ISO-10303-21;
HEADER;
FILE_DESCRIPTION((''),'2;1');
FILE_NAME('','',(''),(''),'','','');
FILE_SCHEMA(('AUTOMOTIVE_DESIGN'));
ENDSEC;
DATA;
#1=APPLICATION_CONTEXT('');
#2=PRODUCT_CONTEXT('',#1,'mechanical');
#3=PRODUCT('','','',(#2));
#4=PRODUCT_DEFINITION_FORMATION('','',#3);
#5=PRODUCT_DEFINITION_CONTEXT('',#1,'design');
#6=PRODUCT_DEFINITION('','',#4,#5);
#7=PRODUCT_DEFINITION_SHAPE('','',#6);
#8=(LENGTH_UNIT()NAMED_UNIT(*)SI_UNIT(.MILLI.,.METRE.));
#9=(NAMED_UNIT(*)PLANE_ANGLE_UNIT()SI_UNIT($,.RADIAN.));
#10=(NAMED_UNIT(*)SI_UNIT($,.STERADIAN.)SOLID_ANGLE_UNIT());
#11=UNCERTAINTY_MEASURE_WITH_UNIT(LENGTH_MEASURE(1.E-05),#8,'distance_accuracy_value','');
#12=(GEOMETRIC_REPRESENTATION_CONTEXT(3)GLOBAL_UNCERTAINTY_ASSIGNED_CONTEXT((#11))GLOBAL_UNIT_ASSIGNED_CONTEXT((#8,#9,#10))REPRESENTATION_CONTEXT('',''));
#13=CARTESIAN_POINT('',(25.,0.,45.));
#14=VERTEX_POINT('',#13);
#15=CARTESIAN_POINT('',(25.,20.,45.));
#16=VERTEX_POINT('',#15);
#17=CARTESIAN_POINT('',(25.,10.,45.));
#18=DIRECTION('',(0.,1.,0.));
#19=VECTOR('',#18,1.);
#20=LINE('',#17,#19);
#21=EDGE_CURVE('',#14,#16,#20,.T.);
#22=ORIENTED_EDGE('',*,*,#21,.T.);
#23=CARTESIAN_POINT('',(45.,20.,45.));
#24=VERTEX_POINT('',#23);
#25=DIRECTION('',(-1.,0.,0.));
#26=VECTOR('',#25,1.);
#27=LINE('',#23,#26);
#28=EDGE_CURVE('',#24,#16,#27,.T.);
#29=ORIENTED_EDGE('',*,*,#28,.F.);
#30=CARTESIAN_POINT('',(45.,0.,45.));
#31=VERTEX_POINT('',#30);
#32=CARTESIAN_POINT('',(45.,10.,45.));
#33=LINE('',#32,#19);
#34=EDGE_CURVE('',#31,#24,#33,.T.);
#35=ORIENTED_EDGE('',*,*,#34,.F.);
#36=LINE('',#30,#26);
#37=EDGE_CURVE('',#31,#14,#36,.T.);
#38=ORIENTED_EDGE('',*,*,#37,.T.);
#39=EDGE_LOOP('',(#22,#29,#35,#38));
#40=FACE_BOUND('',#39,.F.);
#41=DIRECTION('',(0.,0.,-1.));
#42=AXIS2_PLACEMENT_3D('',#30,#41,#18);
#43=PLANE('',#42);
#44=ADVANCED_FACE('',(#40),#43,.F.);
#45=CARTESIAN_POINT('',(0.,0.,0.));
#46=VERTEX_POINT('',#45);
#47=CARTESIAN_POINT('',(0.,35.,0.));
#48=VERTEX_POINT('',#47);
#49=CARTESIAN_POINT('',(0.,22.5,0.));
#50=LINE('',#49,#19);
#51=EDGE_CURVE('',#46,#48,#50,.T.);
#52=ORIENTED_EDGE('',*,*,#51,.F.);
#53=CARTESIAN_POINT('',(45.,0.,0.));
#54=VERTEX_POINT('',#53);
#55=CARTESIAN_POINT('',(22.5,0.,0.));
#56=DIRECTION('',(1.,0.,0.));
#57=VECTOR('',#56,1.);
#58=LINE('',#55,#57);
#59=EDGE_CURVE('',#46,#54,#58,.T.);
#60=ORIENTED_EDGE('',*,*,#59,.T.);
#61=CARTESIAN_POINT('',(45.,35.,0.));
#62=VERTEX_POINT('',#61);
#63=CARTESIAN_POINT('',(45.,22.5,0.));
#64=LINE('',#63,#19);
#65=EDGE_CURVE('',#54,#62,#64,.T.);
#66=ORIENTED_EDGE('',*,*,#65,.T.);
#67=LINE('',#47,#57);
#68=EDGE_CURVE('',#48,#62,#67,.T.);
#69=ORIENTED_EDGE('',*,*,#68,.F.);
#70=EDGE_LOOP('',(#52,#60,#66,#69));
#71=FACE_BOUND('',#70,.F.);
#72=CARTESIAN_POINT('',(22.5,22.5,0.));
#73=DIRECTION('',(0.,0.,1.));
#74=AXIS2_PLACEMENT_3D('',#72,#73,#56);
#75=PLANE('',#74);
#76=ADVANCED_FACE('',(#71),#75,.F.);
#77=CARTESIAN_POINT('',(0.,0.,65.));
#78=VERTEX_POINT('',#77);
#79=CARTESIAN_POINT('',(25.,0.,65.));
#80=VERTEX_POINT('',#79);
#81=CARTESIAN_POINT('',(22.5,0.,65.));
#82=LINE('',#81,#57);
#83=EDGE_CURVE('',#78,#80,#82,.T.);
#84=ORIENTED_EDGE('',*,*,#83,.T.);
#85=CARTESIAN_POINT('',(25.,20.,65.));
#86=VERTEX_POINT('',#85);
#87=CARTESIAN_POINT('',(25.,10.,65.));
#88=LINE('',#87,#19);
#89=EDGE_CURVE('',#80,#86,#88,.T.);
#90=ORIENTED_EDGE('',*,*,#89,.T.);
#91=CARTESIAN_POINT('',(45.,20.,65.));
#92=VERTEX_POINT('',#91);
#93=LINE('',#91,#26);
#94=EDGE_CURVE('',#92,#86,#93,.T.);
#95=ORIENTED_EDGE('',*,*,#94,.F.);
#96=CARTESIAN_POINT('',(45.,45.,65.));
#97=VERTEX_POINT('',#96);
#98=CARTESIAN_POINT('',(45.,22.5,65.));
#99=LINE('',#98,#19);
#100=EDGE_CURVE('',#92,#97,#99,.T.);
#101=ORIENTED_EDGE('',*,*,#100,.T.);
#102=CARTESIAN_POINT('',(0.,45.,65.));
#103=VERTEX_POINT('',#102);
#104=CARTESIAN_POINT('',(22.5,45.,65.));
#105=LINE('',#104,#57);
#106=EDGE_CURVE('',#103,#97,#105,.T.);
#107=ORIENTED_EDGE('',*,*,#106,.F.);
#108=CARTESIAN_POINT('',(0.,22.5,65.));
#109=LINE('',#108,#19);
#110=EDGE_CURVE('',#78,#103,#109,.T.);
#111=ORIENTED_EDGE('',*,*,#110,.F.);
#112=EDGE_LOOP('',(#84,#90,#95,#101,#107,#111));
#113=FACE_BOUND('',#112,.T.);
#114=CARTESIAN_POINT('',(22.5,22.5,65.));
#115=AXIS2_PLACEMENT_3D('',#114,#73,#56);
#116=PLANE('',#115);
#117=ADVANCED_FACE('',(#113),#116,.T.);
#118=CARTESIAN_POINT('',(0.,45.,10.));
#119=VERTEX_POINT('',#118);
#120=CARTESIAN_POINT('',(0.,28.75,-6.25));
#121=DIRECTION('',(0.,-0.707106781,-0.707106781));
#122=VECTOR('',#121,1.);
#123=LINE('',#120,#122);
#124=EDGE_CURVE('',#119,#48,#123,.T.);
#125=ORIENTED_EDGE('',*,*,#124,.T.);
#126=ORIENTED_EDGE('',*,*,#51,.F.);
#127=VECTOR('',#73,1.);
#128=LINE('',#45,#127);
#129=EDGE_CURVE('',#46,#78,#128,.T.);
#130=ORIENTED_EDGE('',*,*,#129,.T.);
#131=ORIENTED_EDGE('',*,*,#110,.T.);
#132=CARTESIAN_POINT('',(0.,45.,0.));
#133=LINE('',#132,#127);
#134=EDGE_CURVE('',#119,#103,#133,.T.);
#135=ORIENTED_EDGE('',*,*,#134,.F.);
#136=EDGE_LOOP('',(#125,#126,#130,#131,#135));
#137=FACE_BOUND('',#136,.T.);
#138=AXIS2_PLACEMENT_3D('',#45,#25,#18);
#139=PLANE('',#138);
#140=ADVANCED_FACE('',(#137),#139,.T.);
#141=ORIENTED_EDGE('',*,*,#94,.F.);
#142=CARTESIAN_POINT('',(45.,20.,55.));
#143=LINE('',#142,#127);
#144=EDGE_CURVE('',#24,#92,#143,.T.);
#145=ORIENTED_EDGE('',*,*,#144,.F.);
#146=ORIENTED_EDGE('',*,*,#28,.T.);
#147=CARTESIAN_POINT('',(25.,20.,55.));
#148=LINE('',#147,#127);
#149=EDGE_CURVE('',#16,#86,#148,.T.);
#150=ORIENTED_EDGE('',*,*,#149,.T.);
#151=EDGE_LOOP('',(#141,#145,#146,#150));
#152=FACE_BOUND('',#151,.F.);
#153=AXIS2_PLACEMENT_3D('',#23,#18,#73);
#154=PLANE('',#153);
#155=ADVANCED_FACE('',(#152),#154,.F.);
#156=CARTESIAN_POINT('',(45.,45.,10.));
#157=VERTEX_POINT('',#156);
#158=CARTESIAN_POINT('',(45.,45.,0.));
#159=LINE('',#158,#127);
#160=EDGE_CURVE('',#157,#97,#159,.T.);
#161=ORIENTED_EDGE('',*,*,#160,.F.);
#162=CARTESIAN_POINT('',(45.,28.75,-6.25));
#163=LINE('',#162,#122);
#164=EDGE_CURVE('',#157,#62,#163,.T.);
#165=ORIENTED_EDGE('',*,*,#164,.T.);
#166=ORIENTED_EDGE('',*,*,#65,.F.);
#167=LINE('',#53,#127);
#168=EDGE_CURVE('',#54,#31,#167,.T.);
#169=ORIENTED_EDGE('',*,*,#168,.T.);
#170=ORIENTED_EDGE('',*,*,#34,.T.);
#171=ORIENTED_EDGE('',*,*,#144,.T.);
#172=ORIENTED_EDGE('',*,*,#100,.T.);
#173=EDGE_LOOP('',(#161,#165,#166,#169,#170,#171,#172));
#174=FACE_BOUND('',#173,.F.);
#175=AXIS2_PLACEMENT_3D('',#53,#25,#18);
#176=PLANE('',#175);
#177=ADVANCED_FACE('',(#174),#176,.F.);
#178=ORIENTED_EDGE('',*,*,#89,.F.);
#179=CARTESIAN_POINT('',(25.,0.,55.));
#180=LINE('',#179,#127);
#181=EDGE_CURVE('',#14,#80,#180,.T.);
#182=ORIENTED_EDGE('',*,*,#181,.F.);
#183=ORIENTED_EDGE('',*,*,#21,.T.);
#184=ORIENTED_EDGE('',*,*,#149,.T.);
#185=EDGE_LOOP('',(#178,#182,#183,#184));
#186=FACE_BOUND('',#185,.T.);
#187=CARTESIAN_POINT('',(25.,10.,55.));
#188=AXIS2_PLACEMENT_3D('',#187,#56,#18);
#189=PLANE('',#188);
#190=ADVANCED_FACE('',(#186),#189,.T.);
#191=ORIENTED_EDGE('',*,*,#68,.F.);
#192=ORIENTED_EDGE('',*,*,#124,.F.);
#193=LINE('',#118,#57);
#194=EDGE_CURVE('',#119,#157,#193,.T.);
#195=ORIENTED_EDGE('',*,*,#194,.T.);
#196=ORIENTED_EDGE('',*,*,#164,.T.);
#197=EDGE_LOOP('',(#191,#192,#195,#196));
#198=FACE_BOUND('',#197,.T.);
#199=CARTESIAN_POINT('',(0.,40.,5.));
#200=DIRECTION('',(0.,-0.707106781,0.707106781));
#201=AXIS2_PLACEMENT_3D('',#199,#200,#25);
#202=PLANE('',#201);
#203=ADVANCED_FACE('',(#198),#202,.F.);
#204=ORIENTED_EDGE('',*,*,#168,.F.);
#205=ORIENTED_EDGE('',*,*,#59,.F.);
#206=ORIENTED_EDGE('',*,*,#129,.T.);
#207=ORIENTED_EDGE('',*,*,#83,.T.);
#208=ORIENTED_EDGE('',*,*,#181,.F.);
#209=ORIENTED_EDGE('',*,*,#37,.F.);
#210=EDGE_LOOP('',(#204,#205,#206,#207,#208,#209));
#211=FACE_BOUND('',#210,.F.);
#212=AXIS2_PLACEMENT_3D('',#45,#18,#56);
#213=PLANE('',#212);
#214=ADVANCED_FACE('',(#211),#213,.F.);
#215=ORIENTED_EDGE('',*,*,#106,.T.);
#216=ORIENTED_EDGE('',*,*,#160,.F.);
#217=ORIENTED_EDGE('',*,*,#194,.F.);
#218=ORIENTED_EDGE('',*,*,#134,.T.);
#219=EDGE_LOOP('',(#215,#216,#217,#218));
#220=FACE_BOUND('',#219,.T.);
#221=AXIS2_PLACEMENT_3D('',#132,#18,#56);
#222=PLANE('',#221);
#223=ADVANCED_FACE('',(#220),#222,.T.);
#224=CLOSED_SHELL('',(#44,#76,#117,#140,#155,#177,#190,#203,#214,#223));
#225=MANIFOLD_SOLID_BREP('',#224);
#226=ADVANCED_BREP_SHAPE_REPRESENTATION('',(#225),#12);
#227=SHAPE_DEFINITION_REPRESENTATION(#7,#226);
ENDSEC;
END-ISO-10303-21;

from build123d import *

# Parameters (mm, degrees)
F0_W     = 45
F0_H     = 45
F1_DEPTH = 65
F2_W     = 20
F2_H     = 20
F3_DEPTH = 20
F4_SIZE  = 10


with BuildPart() as f1:
    # F0 (on Top) → F1 (new body)
    with BuildSketch(Plane.XY):
        with Locations((22.5, 22.5)):
            Rectangle(F0_W, F0_H)
    extrude(amount=F1_DEPTH)

    # F2 (on face) → F3 (cut)
    with BuildSketch(Plane.YZ.offset(45)):
        with Locations((10, 55)):
            Rectangle(F2_W, F2_H)
    extrude(amount=-F3_DEPTH, mode=Mode.SUBTRACT)

    # F4
    f4_edges = [f1.edges().sort_by_distance(p)[0] for p in [
        (22.5, 45, 0),
    ]]
    chamfer(f4_edges, length=F4_SIZE)


solid = f1.part
